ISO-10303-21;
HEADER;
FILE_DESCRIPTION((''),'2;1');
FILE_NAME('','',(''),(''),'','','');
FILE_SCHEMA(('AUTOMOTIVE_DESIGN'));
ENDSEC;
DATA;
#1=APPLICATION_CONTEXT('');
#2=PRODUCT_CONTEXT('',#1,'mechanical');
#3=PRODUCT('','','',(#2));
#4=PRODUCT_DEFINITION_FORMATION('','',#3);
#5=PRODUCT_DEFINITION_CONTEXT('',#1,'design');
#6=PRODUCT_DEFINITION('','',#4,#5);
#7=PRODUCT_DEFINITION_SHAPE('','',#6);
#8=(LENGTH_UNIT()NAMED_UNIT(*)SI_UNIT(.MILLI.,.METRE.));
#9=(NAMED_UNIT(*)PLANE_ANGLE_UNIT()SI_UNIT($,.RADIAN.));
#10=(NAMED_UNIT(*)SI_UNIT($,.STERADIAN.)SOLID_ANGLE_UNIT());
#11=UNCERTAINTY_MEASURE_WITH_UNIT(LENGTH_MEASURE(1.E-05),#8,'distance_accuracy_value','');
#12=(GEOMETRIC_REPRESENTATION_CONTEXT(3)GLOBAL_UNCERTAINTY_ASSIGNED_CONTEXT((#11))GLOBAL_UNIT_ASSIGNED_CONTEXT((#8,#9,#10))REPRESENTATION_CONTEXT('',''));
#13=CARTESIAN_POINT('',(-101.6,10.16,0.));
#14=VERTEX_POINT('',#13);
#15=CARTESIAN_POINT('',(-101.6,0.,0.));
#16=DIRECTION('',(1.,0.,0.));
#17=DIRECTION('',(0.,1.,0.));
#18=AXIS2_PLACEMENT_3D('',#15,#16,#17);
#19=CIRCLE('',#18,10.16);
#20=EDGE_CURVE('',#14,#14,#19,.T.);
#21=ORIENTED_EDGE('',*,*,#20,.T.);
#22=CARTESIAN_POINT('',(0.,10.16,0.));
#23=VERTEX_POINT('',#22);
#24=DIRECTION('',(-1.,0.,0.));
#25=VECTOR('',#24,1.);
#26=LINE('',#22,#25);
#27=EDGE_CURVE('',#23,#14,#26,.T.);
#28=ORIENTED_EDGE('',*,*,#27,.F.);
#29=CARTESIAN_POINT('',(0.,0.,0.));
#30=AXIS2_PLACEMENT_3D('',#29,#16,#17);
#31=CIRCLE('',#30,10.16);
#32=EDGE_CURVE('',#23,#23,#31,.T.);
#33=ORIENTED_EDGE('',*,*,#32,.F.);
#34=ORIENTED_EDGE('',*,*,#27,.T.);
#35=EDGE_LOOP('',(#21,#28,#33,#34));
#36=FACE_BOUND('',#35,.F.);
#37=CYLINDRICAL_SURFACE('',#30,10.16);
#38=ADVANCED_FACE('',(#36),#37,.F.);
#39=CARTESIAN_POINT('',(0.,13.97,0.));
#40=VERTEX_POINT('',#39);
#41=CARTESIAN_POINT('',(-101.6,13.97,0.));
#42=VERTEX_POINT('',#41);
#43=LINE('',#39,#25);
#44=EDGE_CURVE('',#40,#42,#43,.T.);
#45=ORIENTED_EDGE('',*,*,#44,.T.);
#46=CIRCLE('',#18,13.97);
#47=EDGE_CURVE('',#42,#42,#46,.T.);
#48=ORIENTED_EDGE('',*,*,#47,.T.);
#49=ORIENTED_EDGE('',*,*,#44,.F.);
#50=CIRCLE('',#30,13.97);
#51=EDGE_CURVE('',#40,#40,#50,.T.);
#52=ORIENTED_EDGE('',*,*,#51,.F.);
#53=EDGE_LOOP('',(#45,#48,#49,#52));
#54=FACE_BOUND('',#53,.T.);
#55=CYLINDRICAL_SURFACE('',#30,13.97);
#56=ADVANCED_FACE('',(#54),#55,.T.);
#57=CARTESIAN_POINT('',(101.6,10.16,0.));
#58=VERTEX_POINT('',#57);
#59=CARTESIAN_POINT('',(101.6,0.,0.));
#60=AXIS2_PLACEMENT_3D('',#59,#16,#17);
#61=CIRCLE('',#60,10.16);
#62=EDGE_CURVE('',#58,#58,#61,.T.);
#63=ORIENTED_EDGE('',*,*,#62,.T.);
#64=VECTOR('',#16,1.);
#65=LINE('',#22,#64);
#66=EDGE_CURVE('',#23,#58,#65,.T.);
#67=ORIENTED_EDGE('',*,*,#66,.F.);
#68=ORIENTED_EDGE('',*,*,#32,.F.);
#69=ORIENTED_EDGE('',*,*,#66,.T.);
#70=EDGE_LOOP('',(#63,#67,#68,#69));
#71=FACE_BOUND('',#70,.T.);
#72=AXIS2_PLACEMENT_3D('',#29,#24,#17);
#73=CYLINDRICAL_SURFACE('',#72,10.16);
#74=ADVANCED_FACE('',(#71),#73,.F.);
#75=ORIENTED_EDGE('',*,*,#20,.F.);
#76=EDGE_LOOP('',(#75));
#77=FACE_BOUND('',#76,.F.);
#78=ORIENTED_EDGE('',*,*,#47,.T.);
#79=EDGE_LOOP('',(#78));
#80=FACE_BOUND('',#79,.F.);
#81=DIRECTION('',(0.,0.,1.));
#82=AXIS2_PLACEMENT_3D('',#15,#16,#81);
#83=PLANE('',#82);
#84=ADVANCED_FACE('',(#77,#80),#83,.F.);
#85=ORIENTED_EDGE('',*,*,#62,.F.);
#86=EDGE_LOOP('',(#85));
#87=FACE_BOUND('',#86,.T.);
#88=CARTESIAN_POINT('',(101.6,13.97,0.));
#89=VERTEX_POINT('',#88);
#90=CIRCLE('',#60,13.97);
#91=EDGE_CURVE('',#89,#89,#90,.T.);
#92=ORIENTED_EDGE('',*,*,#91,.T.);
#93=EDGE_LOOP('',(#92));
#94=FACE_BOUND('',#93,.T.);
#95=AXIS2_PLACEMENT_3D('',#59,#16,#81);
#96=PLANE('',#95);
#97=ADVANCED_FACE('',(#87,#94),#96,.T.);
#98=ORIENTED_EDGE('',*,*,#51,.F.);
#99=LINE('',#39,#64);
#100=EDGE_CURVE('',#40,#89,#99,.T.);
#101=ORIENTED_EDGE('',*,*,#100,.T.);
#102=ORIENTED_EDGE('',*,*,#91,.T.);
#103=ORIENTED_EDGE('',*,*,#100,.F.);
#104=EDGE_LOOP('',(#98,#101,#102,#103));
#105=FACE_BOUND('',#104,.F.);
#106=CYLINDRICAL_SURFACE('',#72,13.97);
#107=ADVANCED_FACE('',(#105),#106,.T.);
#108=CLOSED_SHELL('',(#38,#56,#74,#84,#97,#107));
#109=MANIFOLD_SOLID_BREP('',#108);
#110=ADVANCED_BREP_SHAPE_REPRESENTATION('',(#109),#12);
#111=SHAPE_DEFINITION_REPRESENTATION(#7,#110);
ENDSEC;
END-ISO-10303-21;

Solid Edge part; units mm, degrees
sketch "Sketch1" plane through (0, 0, 0) normal (1, 0, 0) x (0, 1, 0)
  circle A0 centre (0, 0) radius 13.97
  circle A1 centre (0, 0) radius 10.16
  dimension "D1" = 27.94
  dimension "D2" = 20.32
extrude "ExtrudedProtrusion_1" add sketch "Sketch1" along normal mid plane 203.2
properties material "ABS PLUS"
